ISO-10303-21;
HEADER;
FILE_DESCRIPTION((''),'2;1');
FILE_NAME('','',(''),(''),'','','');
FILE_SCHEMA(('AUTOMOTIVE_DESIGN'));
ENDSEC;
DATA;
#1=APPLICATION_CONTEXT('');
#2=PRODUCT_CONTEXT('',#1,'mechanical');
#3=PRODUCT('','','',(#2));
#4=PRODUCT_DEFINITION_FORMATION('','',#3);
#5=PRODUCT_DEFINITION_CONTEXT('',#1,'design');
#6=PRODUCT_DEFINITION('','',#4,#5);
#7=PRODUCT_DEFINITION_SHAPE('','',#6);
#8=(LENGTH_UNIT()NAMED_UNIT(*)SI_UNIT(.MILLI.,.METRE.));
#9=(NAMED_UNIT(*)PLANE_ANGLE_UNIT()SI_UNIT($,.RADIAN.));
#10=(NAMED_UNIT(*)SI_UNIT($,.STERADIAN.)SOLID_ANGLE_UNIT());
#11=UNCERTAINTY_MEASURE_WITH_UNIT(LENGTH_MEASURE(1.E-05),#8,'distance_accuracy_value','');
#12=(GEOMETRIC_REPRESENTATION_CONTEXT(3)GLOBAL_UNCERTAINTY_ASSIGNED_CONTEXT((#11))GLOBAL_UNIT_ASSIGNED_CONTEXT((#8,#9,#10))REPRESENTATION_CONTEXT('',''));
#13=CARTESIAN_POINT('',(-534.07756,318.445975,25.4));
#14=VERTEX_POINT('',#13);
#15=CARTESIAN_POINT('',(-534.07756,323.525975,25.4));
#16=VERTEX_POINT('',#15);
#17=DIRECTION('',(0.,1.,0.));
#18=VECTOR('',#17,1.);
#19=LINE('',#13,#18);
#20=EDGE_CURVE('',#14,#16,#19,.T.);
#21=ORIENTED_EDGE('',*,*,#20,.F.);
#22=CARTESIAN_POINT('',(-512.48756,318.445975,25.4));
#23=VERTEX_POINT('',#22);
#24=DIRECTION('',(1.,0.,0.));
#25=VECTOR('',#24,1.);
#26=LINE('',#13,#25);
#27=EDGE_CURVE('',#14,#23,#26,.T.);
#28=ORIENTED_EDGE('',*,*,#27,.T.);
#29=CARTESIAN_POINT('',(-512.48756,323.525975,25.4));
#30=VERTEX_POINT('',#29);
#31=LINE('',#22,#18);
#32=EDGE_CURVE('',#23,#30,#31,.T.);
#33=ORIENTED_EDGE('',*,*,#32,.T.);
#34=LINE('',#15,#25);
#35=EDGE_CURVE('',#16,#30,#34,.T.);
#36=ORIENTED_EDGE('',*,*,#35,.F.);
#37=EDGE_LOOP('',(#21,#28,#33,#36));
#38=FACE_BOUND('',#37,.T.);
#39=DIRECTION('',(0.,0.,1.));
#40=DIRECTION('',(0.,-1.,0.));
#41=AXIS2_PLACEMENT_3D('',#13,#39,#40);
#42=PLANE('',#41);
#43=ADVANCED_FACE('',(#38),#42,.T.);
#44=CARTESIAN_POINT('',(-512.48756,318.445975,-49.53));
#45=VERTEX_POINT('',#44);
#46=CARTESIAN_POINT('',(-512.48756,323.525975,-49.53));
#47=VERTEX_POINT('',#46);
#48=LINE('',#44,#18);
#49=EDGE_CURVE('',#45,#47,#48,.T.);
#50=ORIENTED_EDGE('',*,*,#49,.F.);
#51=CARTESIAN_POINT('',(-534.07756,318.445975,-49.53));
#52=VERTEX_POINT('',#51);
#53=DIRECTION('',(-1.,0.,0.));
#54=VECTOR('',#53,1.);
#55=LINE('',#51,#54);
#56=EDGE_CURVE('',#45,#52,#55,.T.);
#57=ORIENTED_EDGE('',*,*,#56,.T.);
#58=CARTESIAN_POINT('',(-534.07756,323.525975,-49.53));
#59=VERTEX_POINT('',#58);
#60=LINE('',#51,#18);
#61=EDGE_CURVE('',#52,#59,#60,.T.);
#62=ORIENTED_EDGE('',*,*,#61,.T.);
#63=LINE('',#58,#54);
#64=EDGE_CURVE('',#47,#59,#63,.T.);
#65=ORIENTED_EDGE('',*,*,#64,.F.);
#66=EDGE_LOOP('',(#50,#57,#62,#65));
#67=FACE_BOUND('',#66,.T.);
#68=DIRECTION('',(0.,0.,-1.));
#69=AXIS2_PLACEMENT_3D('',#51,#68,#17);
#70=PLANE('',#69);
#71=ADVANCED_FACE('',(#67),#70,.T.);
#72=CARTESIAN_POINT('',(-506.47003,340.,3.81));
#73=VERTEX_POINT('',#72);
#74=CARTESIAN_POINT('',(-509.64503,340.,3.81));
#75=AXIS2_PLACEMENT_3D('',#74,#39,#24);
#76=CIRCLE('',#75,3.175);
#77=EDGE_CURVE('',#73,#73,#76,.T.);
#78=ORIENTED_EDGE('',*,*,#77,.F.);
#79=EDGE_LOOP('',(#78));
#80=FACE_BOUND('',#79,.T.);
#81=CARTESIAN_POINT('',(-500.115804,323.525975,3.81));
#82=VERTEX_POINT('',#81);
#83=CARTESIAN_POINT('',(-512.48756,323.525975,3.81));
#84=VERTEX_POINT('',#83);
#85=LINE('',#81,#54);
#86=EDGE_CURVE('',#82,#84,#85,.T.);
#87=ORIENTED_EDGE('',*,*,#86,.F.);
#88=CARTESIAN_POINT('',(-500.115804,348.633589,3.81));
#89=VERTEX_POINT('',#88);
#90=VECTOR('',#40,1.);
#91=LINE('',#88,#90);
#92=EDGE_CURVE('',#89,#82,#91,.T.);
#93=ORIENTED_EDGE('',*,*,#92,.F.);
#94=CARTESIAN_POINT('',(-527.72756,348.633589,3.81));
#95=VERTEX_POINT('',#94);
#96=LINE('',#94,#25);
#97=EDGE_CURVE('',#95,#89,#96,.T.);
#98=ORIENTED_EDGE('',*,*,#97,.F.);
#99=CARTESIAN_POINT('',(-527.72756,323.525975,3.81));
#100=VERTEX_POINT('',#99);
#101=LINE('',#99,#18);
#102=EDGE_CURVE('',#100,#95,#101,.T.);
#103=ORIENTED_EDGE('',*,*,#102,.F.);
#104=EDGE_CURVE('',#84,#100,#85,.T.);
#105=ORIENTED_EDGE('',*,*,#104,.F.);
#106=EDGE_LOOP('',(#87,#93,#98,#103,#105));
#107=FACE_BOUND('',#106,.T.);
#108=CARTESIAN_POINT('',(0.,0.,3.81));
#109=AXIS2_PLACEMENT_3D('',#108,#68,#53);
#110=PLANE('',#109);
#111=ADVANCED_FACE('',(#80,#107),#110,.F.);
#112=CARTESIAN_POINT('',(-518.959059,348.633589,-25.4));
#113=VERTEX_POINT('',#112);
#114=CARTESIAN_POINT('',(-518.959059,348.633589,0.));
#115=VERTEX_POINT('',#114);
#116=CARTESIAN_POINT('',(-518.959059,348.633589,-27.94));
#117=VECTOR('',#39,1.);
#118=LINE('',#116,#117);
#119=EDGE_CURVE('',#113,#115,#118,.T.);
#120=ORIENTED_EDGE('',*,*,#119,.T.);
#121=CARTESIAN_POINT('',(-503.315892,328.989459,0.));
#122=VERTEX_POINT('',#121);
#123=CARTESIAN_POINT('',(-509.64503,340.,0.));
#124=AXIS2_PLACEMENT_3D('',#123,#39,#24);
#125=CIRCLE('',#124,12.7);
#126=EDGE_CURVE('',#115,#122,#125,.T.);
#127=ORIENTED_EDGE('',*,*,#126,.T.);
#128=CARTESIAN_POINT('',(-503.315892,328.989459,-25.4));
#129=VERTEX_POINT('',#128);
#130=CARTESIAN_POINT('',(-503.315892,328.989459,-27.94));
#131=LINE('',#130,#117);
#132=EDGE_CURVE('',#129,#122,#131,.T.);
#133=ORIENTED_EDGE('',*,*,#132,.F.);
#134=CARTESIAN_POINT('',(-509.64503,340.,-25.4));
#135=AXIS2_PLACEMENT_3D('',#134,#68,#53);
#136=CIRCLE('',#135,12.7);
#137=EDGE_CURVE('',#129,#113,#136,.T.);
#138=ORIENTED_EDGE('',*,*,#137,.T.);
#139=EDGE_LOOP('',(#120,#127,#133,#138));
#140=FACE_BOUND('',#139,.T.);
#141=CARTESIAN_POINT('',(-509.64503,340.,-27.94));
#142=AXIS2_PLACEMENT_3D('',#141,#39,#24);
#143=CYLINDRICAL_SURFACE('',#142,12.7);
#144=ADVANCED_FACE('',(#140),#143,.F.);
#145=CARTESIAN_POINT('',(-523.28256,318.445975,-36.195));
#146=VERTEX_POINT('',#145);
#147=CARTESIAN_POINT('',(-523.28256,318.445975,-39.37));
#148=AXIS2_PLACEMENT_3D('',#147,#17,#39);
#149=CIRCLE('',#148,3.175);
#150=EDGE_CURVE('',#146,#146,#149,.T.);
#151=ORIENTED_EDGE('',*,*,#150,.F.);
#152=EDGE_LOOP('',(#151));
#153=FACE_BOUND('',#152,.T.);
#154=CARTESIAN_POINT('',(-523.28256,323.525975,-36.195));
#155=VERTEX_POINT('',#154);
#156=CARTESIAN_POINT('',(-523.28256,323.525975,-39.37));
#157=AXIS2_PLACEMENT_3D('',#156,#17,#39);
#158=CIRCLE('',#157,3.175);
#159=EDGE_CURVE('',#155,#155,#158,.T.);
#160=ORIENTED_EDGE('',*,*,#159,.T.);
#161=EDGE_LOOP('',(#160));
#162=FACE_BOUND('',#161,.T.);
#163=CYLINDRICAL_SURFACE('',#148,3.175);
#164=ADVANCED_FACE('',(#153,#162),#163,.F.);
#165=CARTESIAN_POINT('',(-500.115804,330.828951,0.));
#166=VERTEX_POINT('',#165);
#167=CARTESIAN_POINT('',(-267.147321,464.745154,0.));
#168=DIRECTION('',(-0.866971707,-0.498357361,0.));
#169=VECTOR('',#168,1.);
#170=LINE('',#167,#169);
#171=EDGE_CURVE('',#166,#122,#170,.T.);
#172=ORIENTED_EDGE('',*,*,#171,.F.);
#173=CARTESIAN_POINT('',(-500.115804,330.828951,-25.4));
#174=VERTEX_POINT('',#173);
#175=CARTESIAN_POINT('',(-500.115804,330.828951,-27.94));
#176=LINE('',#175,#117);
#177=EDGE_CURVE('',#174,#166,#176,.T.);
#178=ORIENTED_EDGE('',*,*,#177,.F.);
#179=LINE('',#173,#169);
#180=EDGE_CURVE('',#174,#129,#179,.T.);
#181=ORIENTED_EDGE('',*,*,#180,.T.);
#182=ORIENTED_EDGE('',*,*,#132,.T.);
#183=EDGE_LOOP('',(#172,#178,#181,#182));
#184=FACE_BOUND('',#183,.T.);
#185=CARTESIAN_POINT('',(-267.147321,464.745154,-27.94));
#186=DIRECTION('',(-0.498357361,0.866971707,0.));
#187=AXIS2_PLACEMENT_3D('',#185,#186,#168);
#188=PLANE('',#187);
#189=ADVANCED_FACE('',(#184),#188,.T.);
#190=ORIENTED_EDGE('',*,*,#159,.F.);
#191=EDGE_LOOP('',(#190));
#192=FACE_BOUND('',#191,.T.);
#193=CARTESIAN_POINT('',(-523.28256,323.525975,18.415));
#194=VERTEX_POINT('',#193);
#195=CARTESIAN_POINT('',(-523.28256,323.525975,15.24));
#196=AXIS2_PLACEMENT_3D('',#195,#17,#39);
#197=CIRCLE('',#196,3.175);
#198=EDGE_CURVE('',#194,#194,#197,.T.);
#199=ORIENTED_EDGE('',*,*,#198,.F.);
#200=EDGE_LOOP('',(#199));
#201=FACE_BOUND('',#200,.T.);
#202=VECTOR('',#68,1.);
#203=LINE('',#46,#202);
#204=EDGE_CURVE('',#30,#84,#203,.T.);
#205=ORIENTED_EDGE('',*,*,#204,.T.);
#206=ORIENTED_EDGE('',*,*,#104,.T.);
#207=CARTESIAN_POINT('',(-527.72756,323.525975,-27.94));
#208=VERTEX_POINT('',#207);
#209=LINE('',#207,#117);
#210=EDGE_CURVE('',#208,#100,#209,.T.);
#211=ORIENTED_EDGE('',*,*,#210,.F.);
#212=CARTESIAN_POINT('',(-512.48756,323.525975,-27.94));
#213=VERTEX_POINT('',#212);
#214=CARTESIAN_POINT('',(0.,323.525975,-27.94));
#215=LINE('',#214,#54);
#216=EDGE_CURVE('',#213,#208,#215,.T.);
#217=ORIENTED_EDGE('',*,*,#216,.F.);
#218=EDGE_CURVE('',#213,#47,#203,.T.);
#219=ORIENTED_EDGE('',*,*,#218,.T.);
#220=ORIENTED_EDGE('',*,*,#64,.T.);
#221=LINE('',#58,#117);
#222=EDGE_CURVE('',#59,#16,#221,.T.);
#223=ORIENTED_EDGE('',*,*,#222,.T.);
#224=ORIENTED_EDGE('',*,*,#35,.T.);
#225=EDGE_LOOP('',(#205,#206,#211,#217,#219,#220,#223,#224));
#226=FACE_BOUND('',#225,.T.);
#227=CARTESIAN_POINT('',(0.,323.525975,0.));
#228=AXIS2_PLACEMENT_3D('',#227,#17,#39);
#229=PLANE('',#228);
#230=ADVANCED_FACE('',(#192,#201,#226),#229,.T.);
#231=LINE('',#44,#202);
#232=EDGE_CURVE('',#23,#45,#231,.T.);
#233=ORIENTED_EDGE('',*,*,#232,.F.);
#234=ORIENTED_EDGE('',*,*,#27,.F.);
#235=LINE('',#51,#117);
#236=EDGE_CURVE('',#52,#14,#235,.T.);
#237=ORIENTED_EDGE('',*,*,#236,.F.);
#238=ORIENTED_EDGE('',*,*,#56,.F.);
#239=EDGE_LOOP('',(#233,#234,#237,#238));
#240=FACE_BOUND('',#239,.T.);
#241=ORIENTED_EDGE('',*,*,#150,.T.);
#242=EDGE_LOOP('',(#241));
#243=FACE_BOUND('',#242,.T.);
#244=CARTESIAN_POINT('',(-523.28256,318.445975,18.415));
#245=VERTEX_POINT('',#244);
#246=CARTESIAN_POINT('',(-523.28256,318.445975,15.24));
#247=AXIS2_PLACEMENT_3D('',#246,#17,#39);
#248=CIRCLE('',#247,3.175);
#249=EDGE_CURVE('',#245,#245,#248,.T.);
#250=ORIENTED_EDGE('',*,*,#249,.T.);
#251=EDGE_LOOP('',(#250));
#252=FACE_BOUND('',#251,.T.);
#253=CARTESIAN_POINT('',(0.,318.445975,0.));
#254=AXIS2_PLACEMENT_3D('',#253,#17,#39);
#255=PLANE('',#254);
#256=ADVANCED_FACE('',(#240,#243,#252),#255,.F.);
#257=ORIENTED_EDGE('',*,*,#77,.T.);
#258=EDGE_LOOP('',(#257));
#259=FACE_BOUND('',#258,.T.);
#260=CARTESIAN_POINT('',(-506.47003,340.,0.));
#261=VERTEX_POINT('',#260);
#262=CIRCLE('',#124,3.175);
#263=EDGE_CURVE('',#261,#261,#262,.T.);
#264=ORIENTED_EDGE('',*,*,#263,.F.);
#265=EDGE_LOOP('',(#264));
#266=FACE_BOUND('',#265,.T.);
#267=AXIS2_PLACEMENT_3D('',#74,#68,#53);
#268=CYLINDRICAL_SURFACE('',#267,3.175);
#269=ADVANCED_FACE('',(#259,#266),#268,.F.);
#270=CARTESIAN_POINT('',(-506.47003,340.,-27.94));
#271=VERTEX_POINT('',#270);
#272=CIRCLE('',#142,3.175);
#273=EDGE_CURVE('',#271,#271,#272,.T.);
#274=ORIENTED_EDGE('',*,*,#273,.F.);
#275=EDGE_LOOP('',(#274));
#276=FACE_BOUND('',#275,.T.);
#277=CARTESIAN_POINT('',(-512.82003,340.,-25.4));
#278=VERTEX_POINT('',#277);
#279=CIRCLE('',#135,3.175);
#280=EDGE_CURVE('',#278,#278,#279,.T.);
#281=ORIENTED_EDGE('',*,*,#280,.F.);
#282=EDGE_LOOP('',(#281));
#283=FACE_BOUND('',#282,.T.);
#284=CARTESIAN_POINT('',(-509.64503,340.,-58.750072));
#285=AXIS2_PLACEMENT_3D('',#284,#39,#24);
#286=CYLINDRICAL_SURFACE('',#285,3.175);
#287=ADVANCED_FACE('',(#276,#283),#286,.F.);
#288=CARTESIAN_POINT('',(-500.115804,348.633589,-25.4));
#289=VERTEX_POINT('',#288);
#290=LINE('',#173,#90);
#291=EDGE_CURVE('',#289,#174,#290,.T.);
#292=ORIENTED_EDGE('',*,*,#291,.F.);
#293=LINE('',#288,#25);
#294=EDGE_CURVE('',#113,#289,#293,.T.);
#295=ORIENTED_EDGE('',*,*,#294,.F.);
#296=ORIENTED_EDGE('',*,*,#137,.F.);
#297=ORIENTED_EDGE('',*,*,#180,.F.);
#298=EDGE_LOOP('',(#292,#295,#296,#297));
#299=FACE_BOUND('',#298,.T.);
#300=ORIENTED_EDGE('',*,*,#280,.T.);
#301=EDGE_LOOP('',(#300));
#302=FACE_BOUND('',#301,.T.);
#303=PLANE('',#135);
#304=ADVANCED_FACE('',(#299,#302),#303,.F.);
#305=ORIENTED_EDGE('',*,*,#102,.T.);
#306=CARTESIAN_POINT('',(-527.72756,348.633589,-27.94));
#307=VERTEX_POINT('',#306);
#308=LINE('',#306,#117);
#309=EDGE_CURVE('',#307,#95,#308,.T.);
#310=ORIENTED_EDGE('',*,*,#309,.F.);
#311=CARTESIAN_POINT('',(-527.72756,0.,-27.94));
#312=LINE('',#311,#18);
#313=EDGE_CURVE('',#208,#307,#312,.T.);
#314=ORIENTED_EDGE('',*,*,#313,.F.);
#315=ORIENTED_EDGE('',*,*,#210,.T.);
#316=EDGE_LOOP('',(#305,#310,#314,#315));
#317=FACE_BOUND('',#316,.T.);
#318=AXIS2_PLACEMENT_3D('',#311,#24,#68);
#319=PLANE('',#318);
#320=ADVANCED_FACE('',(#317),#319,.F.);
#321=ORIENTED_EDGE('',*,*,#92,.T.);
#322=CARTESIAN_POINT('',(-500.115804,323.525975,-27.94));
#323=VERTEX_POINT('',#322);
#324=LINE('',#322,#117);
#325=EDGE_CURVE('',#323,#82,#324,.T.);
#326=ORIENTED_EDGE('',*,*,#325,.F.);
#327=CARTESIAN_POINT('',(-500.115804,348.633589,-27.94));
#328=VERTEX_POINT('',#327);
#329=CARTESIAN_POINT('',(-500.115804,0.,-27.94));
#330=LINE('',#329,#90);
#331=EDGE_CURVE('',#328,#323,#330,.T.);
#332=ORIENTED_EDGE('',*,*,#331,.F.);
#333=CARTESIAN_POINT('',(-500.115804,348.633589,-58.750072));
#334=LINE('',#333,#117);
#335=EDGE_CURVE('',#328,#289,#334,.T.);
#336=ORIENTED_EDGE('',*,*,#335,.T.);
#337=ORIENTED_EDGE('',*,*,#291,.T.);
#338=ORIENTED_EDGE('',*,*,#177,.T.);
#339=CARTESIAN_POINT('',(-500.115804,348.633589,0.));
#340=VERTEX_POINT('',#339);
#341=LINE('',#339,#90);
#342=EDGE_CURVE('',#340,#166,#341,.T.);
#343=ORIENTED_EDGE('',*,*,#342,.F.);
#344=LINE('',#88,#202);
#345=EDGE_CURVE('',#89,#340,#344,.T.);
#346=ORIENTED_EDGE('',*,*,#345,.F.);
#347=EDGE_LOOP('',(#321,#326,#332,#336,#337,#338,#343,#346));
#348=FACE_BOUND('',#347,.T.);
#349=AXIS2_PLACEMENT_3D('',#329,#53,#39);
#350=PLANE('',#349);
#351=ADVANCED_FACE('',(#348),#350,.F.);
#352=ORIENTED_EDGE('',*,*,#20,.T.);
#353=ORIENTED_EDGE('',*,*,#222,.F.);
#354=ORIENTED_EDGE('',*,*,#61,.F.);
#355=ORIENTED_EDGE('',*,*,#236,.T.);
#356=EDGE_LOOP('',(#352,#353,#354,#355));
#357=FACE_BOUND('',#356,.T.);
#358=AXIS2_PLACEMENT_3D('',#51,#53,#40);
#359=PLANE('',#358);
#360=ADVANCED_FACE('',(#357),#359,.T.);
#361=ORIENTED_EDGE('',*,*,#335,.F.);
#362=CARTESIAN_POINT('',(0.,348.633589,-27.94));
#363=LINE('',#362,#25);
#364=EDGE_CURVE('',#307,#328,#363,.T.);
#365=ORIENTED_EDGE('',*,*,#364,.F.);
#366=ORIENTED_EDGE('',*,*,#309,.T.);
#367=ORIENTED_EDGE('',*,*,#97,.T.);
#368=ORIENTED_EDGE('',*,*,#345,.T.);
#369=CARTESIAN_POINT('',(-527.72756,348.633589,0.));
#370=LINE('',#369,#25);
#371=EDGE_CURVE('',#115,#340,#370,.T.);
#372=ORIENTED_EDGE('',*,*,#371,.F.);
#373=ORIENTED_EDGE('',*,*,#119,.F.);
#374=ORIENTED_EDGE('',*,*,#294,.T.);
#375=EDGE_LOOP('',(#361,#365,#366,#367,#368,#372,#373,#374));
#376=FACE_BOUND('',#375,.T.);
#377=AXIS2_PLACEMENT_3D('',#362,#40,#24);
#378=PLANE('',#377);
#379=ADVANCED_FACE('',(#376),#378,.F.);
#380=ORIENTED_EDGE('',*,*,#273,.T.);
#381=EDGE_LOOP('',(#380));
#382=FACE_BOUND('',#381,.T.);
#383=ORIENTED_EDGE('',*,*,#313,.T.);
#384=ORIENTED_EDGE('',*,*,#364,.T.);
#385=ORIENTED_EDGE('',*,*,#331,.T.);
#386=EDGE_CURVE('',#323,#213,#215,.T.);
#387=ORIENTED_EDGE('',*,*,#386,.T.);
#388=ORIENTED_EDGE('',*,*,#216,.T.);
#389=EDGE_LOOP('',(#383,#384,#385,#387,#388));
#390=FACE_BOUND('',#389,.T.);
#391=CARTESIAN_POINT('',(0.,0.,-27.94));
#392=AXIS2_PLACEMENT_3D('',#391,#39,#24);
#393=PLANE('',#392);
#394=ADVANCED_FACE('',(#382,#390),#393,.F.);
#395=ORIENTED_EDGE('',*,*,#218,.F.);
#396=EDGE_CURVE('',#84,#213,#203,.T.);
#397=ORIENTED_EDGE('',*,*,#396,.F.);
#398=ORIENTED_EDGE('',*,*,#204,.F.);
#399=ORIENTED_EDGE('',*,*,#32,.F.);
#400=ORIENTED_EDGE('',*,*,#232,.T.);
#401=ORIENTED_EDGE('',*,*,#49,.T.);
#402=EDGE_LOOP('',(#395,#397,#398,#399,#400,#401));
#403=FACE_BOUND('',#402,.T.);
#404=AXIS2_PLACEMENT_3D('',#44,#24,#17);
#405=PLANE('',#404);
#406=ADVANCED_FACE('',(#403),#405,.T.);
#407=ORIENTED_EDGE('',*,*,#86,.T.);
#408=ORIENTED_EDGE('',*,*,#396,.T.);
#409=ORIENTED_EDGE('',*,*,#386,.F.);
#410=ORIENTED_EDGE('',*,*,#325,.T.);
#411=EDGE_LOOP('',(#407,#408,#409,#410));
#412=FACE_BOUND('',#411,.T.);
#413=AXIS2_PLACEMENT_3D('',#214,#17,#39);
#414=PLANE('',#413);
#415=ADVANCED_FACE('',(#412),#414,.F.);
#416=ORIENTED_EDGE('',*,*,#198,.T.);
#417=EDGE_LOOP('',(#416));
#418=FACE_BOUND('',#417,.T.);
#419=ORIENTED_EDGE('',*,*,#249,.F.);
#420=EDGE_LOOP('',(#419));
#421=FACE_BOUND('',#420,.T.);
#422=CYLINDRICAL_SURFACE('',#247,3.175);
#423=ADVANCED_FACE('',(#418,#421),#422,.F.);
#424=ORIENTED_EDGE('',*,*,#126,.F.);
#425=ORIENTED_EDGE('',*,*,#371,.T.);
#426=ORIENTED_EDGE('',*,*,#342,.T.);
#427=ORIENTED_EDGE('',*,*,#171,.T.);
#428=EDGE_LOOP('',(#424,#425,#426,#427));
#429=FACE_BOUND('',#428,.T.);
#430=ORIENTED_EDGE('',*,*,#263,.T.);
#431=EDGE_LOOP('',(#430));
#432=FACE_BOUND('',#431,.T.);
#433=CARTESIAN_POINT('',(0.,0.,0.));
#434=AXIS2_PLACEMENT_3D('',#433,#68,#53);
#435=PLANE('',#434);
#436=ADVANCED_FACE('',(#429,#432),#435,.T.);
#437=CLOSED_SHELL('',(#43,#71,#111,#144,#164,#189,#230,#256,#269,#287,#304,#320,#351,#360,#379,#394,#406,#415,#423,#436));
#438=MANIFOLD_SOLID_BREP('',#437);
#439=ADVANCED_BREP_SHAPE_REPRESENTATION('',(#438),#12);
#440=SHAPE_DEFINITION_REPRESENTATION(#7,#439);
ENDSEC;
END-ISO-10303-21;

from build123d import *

# Parameters (mm, degrees)
BOSS_EXTRUDE1_DEPTH = 27.94
SKETCH2_R           = 3.175
BOSS_EXTRUDE2_DEPTH = 2.54
BOSS_EXTRUDE3_START = 3.81
SKETCH3_W           = 27.611756562
SKETCH3_H           = 25.107614127
SKETCH3_R           = 3.175
BOSS_EXTRUDE3_DEPTH = 3.81
SKETCH4_W           = 21.59
SKETCH4_H           = 74.93
SKETCH4_R           = 3.175
BOSS_EXTRUDE4_DEPTH = 5.08


with BuildPart() as part:
    # Sketch1 → Boss-Extrude1 (new body)
    with BuildSketch(Plane.XY):
        with BuildLine():
            Line((-518.959059009, 348.633589309), (-527.727560082, 348.633589309))
            Line((-527.727560082, 348.633589309), (-527.727560082, 323.525975182))
            Line((-527.727560082, 323.525975182), (-500.11580352, 323.525975182))
            Line((-500.11580352, 323.525975182), (-500.11580352, 330.828951218))
            Line((-500.11580352, 330.828951218), (-503.31589155, 328.989459324))
            ThreePointArc((-503.31589155, 328.989459324), (-505.910190066, 327.86159111), (-508.689794246, 327.335975182))
            ThreePointArc((-508.689794246, 327.335975182), (-520.655570716, 333.67086151), (-520.107560082, 347.198990562))
            ThreePointArc((-520.107560082, 347.198990562), (-519.559291988, 347.937090778), (-518.959059009, 348.633589309))
        make_face()
    extrude(amount=-BOSS_EXTRUDE1_DEPTH)

    # Sketch2 → Boss-Extrude2 (add)
    with BuildSketch(Plane(origin=(0, 0, -25.4), x_dir=(-1, 0, 0), z_dir=(0, 0, -1))):
        with BuildLine():
            Line((500.11580352, 330.828951218), (500.11580352, 348.633589309))
            Line((500.11580352, 348.633589309), (518.959059009, 348.633589309))
            ThreePointArc((518.959059009, 348.633589309), (519.579835197, 332.088638139), (503.31589155, 328.989459324))
            Line((503.31589155, 328.989459324), (500.11580352, 330.828951218))
        make_face()
        with Locations(Location((509.64503004, 340, 0), (0, 0, 180))):
            Circle(SKETCH2_R, mode=Mode.SUBTRACT)
    extrude(amount=BOSS_EXTRUDE2_DEPTH)

    # Sketch3 → Boss-Extrude3 (add)
    with BuildSketch(Plane.XY.offset(BOSS_EXTRUDE3_START)):
        with Locations((-513.921681801, 336.079782246)):
            Rectangle(SKETCH3_W, SKETCH3_H)
        with Locations((-509.64503004, 340)):
            Circle(SKETCH3_R, mode=Mode.SUBTRACT)
    extrude(amount=-BOSS_EXTRUDE3_DEPTH)

    # Sketch4 → Boss-Extrude4 (add)
    with BuildSketch(Plane(origin=(0, 323.525975182, 0), x_dir=(1, 0, 0), z_dir=(0, 1, 0))):
        with Locations((-523.282560082, 12.065)):
            Rectangle(SKETCH4_W, SKETCH4_H)
        with Locations(Location((-523.282560082, -15.24, 0), (0, 0, 270))):
            Circle(SKETCH4_R, mode=Mode.SUBTRACT)
        with Locations(Location((-523.282560082, 39.37, 0), (0, 0, 270))):
            Circle(SKETCH4_R, mode=Mode.SUBTRACT)
    extrude(amount=-BOSS_EXTRUDE4_DEPTH)


solid = part.part
